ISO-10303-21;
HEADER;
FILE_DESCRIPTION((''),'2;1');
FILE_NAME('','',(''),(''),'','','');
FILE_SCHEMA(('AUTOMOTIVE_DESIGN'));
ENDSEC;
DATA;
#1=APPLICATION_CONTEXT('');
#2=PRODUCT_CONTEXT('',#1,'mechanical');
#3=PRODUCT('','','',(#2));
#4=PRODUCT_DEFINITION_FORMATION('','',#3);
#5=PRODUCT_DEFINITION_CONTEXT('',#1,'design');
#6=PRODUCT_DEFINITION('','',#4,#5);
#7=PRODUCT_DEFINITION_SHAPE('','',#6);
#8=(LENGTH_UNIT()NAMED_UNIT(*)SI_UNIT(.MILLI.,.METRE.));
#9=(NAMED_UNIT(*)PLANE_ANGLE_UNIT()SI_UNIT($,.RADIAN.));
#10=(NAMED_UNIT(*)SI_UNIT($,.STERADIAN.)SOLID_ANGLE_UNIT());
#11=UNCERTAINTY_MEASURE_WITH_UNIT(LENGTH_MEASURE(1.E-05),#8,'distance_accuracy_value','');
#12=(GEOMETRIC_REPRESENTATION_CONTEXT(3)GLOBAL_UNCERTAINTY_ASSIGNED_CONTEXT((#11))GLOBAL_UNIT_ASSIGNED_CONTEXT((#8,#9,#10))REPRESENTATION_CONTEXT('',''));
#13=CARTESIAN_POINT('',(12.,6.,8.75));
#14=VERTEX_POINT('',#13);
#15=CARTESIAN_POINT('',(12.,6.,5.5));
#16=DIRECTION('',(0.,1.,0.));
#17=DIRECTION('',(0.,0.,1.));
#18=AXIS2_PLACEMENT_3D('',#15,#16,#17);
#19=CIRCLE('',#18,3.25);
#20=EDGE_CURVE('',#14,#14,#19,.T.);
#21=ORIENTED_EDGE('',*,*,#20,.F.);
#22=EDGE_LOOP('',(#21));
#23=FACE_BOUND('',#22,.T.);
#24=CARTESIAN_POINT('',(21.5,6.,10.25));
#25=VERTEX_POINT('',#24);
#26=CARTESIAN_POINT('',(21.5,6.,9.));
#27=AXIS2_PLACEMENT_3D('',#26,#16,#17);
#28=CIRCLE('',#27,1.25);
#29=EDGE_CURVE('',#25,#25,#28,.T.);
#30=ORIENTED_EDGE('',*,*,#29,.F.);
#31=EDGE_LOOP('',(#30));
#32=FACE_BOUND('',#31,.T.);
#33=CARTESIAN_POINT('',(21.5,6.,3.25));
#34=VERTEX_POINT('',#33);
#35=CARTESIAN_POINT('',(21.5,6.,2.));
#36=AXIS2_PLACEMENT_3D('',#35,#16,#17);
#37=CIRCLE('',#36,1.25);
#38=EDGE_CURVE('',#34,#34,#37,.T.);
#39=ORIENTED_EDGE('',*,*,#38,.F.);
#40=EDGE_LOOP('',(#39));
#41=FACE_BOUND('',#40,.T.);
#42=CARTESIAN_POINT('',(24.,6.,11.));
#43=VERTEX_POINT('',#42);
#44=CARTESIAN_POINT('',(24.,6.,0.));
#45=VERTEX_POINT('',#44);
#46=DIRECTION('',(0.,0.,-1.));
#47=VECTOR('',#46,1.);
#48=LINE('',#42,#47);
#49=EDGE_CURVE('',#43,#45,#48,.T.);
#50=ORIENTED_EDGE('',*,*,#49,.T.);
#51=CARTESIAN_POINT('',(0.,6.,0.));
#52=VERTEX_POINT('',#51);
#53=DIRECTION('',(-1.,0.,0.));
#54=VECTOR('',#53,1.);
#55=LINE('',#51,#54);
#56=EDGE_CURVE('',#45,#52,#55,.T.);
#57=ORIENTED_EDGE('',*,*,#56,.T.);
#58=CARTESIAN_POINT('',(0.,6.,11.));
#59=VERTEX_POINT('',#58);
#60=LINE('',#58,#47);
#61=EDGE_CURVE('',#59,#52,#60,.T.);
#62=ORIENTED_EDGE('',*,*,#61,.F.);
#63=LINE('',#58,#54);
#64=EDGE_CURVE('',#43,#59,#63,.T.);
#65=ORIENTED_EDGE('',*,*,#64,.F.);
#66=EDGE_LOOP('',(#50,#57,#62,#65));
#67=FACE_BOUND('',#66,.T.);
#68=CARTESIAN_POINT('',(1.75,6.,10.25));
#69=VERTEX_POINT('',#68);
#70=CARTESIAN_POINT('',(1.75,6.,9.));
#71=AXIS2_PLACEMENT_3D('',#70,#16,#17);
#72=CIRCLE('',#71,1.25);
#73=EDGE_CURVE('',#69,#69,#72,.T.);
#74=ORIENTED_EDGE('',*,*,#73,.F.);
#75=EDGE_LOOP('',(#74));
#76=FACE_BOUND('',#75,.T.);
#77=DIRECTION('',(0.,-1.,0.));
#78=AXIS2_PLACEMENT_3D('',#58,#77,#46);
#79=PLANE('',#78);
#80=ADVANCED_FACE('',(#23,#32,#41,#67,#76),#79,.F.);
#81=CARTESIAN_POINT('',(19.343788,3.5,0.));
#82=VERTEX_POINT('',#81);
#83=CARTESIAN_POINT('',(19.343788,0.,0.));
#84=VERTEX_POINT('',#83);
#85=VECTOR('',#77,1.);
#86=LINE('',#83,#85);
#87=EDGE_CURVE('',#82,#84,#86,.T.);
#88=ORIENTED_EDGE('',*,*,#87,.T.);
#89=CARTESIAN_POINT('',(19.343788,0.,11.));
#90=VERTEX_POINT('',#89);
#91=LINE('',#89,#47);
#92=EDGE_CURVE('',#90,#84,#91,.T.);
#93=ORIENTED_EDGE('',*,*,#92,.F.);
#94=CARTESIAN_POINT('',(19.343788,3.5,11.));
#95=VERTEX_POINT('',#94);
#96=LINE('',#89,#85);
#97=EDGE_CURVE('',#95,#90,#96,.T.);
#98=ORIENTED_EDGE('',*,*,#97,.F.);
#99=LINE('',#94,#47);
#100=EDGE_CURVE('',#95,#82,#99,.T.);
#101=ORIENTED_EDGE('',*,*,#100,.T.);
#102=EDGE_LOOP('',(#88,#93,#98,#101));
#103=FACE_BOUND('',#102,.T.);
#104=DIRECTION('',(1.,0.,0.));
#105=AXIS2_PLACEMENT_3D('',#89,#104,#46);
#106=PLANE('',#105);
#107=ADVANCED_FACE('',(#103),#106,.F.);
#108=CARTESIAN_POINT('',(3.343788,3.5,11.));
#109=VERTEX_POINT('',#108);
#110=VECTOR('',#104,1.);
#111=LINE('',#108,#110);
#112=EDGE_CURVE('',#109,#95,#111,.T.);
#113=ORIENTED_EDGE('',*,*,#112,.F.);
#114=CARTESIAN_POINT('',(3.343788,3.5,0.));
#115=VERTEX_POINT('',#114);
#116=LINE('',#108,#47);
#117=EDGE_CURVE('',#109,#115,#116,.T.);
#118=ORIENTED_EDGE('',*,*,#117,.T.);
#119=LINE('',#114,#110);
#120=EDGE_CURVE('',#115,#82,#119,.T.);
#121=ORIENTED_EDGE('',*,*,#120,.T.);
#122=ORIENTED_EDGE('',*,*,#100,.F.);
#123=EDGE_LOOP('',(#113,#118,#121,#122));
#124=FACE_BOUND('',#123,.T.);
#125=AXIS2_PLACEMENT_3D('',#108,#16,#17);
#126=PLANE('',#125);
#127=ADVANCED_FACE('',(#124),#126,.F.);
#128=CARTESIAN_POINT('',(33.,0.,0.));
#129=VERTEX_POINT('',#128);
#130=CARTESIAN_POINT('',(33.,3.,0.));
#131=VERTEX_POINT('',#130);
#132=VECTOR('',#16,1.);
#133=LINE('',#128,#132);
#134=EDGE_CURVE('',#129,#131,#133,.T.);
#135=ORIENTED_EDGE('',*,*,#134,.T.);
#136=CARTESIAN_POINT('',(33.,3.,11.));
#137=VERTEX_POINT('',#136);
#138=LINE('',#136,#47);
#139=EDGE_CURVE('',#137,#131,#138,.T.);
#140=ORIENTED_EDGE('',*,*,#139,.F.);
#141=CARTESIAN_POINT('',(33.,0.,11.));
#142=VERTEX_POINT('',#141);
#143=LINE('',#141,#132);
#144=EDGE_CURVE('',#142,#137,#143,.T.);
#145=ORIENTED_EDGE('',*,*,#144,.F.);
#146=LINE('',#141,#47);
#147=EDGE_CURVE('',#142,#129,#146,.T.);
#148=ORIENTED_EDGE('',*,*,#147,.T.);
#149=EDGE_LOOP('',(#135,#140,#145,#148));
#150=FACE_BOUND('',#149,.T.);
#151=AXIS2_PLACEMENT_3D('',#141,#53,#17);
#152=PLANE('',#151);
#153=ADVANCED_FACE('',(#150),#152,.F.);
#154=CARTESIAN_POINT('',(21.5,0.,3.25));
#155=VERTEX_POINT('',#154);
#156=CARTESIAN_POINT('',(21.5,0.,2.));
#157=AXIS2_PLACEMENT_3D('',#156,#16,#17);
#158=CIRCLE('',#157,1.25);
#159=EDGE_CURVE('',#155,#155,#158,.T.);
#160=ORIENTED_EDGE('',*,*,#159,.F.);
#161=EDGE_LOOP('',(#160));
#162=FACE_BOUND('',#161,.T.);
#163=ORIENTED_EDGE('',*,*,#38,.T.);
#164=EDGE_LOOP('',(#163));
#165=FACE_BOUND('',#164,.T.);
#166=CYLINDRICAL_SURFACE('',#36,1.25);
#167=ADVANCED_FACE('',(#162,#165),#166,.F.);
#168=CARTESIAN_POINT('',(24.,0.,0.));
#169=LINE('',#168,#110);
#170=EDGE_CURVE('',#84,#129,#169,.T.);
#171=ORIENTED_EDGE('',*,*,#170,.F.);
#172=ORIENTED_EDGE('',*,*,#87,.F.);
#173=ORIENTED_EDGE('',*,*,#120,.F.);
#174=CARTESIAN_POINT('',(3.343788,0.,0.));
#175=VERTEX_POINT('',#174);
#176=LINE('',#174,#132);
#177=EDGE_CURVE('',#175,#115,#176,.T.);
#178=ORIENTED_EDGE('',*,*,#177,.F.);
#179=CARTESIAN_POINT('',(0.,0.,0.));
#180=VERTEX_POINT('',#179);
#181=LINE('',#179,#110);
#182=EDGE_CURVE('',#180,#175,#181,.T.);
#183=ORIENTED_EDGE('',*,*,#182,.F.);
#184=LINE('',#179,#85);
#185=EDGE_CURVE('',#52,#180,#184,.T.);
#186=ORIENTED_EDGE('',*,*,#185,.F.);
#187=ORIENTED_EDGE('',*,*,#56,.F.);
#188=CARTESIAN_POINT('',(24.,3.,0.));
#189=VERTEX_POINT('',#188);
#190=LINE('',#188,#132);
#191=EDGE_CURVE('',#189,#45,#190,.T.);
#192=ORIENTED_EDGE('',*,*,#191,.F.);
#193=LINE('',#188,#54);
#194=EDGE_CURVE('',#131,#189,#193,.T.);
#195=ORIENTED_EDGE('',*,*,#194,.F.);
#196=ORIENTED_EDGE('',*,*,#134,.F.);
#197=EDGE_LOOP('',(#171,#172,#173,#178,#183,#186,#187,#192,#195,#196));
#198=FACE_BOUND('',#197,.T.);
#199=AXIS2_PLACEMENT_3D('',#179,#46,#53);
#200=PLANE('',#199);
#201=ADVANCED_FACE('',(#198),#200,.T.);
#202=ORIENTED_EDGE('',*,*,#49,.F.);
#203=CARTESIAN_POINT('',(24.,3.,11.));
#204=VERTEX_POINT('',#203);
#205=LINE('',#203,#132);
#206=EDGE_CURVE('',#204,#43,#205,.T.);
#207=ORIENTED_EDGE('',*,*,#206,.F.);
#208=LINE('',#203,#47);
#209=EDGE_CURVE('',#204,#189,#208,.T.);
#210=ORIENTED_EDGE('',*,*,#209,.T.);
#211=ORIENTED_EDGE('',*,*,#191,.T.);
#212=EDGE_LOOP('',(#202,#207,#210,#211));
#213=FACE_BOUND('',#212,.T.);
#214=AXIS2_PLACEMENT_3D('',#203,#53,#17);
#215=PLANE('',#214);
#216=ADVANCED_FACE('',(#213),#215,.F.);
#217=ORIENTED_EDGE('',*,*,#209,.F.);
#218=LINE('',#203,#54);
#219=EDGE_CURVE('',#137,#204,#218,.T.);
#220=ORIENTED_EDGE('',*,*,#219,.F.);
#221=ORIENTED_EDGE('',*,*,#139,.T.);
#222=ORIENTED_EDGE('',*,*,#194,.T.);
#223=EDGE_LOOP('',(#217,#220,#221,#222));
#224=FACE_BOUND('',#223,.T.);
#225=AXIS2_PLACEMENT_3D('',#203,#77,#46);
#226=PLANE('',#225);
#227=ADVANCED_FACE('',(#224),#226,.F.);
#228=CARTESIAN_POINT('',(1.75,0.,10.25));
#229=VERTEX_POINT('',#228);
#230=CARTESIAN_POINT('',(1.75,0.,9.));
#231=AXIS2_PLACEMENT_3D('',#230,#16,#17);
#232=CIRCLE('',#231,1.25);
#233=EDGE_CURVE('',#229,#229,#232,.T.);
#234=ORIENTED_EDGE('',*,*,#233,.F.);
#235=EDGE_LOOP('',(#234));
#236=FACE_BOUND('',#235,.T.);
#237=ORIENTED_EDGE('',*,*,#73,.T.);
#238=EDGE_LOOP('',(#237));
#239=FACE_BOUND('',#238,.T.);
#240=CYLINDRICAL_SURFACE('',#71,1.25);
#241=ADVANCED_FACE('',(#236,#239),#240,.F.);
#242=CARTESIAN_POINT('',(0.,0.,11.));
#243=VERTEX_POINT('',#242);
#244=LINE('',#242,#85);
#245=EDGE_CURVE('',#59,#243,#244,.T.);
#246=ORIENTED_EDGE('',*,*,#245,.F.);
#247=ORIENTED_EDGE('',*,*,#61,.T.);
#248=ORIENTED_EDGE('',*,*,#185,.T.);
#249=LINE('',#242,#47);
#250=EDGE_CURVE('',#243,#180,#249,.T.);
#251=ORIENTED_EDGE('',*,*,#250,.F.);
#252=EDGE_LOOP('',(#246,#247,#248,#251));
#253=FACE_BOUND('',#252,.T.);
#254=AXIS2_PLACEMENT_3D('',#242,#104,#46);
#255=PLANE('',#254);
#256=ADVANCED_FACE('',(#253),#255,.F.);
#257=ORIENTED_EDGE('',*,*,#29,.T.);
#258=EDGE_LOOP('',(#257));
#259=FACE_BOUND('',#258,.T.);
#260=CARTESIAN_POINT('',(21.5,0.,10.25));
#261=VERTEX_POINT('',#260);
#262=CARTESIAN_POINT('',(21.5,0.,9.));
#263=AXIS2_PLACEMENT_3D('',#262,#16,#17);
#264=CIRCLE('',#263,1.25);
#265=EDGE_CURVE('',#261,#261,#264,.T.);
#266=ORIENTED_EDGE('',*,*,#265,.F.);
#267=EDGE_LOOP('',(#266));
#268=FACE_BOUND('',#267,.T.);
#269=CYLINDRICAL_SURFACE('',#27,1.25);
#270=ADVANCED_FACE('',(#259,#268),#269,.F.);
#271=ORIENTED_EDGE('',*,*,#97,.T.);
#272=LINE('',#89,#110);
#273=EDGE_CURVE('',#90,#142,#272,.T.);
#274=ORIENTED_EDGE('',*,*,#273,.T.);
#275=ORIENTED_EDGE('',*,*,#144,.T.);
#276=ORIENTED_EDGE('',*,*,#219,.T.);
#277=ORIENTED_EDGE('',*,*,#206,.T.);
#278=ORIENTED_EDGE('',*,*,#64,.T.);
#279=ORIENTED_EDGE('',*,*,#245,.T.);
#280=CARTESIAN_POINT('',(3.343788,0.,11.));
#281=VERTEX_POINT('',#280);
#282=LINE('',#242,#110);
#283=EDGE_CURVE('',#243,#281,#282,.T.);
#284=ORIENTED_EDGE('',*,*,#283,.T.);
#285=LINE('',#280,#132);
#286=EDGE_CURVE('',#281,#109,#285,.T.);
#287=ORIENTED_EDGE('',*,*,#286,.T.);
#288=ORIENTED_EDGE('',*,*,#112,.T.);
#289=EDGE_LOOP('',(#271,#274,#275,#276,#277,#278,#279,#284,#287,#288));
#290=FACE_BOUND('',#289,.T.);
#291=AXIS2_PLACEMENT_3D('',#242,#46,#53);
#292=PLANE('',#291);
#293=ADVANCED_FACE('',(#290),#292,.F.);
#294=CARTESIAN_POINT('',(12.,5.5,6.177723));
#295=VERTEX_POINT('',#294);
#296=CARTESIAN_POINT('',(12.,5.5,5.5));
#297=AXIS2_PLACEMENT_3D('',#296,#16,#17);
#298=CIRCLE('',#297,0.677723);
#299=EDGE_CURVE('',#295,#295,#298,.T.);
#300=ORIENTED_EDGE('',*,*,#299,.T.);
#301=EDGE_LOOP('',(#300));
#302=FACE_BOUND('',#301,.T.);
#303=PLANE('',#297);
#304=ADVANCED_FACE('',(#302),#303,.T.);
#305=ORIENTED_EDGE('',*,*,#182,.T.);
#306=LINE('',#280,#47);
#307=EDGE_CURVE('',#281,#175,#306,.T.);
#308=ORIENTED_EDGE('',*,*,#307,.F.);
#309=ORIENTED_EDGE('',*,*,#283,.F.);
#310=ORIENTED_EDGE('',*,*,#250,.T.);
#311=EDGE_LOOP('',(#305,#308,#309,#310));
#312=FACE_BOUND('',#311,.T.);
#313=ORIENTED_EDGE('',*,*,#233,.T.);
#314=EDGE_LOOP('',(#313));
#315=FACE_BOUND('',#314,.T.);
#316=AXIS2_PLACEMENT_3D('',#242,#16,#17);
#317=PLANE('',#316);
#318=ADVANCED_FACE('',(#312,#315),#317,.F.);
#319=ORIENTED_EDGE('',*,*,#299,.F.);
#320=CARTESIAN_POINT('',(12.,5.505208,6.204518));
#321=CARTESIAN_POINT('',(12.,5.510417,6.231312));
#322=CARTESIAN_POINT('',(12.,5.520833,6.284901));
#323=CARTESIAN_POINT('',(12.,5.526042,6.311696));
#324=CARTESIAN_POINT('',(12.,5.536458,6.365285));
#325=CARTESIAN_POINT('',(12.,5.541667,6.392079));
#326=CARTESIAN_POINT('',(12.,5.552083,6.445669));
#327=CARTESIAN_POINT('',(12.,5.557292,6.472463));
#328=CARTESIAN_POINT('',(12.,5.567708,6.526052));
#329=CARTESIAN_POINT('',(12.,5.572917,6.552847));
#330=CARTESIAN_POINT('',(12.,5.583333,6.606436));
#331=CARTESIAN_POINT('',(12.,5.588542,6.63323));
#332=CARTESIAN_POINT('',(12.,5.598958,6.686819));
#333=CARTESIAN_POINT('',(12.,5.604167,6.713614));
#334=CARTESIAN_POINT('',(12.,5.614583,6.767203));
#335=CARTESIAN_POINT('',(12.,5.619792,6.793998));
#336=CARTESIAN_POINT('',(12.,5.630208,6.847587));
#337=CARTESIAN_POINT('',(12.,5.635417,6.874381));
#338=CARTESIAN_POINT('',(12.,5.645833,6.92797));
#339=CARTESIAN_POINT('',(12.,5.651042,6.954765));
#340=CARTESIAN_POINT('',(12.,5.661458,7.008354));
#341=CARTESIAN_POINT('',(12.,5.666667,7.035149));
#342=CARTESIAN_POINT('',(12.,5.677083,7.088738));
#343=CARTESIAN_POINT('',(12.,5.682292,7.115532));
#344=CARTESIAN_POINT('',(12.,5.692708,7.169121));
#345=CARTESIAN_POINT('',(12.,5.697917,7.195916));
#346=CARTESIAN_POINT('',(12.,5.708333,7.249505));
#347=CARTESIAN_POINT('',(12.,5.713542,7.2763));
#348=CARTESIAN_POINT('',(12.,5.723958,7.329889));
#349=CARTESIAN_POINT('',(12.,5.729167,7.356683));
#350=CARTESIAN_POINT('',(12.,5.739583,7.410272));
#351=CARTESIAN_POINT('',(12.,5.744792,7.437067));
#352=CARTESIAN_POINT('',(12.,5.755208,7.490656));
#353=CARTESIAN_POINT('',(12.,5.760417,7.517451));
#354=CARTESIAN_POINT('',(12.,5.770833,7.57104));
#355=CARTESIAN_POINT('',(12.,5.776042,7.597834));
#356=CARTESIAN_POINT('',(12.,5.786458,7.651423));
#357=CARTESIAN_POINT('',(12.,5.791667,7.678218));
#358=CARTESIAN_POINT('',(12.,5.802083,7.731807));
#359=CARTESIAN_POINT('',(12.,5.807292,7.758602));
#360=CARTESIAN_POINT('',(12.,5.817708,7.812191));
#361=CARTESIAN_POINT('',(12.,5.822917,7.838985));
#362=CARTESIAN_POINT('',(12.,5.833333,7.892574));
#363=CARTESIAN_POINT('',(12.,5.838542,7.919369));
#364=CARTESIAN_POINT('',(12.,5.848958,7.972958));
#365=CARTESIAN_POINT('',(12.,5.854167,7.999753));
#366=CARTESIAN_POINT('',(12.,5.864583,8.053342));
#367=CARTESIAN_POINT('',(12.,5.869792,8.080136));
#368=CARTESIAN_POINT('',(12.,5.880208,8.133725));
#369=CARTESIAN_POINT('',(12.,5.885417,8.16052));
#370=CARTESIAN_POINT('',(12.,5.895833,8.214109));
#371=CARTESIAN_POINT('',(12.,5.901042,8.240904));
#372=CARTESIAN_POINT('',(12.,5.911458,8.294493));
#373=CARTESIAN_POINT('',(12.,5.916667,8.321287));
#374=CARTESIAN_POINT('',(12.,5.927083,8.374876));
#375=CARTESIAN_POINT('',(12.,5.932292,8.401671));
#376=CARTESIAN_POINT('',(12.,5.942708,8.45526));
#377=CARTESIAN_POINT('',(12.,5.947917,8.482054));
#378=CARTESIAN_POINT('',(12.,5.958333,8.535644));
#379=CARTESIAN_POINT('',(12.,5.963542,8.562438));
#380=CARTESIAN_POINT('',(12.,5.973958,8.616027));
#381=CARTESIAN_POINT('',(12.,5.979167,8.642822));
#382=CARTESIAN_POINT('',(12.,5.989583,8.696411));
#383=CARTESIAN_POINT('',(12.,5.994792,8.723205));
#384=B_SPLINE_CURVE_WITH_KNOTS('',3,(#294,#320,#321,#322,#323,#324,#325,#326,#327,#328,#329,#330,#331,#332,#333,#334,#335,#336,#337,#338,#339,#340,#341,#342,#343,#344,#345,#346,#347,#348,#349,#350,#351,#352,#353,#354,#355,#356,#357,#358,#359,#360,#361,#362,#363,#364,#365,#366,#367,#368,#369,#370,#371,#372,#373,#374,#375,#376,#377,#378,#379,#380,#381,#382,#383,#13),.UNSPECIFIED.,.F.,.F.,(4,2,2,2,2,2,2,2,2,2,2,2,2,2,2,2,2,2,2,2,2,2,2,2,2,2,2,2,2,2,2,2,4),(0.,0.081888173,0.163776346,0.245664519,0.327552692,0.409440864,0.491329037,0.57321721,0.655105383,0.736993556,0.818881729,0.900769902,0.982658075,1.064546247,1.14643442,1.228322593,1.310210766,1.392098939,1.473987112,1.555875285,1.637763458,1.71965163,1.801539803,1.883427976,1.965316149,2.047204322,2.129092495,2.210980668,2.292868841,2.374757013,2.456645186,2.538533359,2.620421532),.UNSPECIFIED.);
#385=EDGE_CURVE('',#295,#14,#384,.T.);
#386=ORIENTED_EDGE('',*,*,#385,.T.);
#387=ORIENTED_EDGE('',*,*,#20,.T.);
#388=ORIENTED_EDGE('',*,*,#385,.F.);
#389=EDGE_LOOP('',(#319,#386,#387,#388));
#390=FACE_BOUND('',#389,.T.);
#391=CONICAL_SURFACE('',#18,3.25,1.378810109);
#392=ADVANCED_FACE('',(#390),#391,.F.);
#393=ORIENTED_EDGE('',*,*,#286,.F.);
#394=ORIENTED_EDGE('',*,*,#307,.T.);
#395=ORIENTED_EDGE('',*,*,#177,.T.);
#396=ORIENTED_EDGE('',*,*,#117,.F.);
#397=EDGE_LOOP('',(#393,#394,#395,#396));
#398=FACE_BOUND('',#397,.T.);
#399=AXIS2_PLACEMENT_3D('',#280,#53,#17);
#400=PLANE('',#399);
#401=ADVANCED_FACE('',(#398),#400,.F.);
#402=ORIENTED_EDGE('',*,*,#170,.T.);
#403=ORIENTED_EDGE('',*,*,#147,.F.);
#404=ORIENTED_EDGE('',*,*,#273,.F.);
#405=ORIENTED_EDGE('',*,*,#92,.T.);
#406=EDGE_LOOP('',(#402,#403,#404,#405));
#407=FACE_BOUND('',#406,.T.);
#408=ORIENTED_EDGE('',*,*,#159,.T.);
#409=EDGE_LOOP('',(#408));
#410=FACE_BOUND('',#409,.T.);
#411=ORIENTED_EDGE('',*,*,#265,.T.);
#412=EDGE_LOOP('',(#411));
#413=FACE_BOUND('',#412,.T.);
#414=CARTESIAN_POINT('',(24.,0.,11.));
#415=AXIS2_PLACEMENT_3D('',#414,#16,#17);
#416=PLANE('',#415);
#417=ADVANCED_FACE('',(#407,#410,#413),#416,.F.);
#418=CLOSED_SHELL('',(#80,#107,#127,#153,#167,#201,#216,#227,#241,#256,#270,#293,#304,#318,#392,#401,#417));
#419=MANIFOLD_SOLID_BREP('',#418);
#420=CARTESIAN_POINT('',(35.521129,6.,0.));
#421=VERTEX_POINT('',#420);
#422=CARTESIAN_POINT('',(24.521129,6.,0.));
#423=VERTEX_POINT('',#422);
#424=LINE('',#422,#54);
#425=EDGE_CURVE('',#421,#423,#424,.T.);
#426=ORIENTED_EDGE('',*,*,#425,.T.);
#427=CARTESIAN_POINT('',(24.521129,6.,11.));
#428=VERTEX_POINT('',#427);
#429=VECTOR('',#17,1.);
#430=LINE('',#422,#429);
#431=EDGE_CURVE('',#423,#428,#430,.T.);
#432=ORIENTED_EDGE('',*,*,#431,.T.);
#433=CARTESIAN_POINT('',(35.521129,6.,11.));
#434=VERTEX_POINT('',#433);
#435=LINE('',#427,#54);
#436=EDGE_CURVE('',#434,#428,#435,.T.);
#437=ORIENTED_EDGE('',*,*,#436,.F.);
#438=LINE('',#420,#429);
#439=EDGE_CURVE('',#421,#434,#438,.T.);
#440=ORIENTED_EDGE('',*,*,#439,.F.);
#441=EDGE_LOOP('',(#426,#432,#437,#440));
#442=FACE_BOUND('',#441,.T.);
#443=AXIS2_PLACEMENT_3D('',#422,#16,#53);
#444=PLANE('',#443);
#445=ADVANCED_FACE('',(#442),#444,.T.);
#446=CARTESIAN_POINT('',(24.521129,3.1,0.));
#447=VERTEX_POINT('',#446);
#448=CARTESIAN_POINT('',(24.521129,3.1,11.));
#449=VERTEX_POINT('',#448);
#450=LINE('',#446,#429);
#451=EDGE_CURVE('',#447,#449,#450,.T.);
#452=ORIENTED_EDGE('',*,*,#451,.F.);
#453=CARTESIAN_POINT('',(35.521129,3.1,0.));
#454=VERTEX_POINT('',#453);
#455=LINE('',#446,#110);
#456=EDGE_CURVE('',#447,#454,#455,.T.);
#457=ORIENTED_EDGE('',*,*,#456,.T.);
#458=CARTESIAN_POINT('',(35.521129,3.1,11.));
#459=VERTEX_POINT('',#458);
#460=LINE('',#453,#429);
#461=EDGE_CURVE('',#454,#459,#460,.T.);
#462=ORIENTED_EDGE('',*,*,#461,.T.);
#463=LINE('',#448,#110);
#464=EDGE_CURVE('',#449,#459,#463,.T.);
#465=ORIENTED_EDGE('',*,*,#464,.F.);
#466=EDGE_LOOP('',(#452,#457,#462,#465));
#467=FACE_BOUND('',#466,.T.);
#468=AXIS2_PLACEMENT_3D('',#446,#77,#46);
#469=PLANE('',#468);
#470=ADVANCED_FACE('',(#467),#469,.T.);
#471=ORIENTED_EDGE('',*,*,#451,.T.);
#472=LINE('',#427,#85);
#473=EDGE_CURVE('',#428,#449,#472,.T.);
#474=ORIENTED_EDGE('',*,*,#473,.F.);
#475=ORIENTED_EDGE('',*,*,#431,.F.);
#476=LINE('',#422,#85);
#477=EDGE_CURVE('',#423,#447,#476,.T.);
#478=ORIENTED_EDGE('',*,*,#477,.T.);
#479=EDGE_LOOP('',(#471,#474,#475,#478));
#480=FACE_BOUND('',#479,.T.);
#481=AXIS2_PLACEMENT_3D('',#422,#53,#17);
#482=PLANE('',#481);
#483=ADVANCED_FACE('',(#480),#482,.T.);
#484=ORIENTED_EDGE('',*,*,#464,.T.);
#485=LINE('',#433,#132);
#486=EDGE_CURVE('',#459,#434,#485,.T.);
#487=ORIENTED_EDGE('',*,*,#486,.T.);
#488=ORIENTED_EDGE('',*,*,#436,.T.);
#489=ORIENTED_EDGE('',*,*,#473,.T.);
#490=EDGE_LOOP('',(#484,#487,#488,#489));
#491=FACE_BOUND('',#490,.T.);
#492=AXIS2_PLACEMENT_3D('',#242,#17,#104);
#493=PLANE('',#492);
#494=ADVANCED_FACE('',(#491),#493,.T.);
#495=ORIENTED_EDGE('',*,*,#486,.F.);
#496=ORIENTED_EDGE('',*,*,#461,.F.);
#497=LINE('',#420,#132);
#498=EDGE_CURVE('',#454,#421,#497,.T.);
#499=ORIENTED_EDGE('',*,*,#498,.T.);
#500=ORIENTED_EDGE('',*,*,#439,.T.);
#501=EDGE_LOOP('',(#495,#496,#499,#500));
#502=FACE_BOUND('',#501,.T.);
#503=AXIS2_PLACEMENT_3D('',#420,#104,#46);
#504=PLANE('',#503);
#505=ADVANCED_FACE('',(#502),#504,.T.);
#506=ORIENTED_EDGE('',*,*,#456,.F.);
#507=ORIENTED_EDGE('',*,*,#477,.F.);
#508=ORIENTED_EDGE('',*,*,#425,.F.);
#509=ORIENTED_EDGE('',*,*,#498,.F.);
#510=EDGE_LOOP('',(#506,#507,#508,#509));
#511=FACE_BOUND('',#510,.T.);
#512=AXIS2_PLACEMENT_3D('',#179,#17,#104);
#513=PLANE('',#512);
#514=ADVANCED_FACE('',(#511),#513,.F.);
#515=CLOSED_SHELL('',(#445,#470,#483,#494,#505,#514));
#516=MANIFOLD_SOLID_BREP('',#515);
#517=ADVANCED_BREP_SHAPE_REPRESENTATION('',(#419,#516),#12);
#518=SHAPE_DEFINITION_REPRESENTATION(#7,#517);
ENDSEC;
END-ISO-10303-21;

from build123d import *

# Parameters (mm, degrees)
BOSS_EXTRUDE1_DEPTH        = 11
F_2_5_2_5_DIAMETER_HOLE1_D = 2.5
SKETCH5_W                  = 11
SKETCH5_H                  = 2.9
BOSS_EXTRUDE2_DEPTH        = 11
SKETCH6_R                  = 3.25
CUT_EXTRUDE1_DEPTH         = 0.5
CUT_EXTRUDE1_DRAFT         = -79


with BuildPart() as part:
    # Sketch1 → Boss-Extrude1 (new body)
    with BuildSketch(Plane.XY):
        Polygon((19.343787585, 0), (24, 0), (33, 0), (33, 3), (24, 3), (24, 6), (0, 6), (0, 0), (3.343787585, 0), (3.343787585, 3.5), (19.343787585, 3.5), align=None)
    extrude(amount=BOSS_EXTRUDE1_DEPTH)

    # Ø2.5 (2.5) Diameter Hole1 (through all)
    with Locations(Plane(origin=(0, 6, 0), x_dir=(1, 0, 0), z_dir=(0, 1, 0))):
        with Locations((1.75, -9), (21.5, -2), (21.5, -9)):
            Hole(F_2_5_2_5_DIAMETER_HOLE1_D / 2)


with BuildPart() as body_2:
    # Sketch5 → Boss-Extrude2 (new body)
    with BuildSketch(Plane.XY.offset(11)):
        with Locations((30.021128577, 4.55)):
            Rectangle(SKETCH5_W, SKETCH5_H)
    extrude(amount=-BOSS_EXTRUDE2_DEPTH)


with BuildPart() as cut_extrude1_tool:
    # Sketch6 → Cut-Extrude1 (with draft: the straight prism first)
    with BuildSketch(Plane(origin=(0, 6, 0), x_dir=(1, 0, 0), z_dir=(0, 1, 0))):
        with Locations((12, -5.5)):
            Circle(SKETCH6_R)
    extrude(amount=-CUT_EXTRUDE1_DEPTH)
    # Cut-Extrude1: the draft: its side faces are tilted about the plane it starts from
    cut_extrude1_sides = [cut_extrude1_tool.faces().sort_by_distance(p)[0] for p in [
        (8.75, 5.75, 5.5),
    ]]
    draft(cut_extrude1_sides, Plane(origin=(0, 6, 0), x_dir=(1, 0, 0), z_dir=(0, 1, 0)), CUT_EXTRUDE1_DRAFT)


with BuildPart() as part_1:
    add(part.part)

    # Cut-Extrude1: cut by cut_extrude1_tool
    add(cut_extrude1_tool.part, mode=Mode.SUBTRACT)


solid = Compound([body_2.part, part_1.part])
